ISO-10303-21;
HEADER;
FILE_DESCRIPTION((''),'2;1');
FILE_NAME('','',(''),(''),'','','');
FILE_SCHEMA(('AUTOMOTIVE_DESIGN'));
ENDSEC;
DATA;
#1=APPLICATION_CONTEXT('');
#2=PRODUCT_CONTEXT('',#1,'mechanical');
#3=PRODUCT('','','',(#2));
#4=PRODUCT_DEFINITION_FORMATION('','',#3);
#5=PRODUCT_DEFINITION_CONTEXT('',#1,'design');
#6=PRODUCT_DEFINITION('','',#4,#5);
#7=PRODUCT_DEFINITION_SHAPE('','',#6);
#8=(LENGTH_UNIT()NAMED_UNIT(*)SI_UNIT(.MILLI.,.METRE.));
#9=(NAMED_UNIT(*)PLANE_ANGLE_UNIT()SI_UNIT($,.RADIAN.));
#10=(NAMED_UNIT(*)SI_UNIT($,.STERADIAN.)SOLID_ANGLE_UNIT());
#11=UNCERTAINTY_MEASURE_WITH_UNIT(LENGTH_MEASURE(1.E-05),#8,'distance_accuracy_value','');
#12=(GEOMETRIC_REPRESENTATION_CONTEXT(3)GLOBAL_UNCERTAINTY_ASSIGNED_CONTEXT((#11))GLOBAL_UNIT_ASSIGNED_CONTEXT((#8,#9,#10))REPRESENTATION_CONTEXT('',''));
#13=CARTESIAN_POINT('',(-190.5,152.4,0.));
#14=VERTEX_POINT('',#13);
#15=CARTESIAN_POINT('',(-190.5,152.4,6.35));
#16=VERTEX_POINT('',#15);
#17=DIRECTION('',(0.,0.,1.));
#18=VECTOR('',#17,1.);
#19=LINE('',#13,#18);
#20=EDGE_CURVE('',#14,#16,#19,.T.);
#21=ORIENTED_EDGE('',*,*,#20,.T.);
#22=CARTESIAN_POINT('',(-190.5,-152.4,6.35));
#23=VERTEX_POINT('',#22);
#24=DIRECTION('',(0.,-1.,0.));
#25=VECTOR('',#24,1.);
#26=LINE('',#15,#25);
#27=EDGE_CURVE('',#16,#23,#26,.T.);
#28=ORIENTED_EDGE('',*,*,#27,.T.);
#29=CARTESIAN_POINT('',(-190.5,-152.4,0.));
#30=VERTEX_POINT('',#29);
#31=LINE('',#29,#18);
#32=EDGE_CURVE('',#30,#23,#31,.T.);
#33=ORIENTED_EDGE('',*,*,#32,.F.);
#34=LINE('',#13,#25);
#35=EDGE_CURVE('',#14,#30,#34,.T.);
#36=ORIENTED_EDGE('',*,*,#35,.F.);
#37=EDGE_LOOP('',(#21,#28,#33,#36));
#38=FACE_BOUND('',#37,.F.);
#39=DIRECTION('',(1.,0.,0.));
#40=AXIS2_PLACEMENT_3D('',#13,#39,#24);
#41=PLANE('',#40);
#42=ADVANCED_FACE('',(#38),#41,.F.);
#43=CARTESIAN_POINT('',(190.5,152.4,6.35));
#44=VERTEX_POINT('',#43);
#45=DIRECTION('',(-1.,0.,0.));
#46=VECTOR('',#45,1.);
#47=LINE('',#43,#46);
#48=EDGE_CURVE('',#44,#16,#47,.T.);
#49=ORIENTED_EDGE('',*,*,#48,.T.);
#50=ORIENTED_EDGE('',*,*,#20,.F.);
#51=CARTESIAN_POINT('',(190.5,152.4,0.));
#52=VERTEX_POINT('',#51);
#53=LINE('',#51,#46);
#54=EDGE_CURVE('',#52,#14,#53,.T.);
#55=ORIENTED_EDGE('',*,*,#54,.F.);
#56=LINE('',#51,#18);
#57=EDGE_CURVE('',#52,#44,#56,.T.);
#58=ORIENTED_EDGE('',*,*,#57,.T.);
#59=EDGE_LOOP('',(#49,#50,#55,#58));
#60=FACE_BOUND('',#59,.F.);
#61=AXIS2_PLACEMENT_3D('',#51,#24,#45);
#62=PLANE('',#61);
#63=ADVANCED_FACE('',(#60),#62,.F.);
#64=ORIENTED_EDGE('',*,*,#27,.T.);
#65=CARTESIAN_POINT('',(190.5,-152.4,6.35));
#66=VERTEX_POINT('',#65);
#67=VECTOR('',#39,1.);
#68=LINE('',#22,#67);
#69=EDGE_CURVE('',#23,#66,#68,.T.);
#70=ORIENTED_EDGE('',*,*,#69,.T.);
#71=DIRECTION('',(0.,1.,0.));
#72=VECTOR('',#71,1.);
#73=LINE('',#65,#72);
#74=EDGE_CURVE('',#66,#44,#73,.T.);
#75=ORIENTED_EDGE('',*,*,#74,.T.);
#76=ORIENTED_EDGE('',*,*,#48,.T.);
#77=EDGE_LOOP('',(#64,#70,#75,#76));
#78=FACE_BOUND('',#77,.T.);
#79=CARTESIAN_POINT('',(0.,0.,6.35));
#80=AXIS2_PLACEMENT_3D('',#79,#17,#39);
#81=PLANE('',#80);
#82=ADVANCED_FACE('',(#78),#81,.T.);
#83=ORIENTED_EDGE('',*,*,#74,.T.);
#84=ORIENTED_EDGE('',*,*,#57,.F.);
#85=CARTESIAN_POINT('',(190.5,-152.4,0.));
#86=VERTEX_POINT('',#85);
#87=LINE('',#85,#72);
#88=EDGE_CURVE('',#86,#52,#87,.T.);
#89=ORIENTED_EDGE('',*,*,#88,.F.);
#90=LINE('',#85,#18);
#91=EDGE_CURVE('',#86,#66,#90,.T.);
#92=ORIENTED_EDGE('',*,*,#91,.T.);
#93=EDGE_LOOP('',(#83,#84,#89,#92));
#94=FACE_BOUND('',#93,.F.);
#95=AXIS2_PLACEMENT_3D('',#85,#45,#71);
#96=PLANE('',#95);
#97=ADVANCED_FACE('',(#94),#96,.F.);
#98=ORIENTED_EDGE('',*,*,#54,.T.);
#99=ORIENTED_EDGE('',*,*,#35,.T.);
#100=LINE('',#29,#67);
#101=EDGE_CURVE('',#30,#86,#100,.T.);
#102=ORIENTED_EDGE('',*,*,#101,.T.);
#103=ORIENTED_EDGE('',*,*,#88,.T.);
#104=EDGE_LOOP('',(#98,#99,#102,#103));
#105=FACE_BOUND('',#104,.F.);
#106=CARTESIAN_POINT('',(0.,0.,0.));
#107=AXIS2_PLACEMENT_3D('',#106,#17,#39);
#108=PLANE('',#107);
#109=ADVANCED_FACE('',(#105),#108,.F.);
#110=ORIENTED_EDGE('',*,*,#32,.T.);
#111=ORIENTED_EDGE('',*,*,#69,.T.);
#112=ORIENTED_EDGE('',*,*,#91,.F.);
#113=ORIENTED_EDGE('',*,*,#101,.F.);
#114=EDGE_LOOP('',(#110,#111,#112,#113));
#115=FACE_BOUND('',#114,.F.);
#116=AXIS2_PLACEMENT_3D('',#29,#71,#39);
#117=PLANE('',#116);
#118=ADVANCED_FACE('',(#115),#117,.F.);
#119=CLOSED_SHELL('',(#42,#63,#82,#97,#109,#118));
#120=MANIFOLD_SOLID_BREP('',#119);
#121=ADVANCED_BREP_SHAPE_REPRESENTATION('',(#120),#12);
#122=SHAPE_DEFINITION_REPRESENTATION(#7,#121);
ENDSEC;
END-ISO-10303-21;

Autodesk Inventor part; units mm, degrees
ref_plane "YZ Plane" through (0, 0, 0) normal (1, 0, 0) x (0, 1, 0)
ref_plane "XZ Plane" through (0, 0, 0) normal (0, 1, 0) x (-1, 0, 0)
ref_plane "XY Plane" through (0, 0, 0) normal (0, 0, 1) x (1, 0, 0)
sketch "Sketch1" plane through (0, 0, 0) normal (0, 0, 1) x (1, 0, 0)
  line L0 (-190.5, -152.4) -> (190.5, -152.4)
  line L1 (190.5, -152.4) -> (190.5, 152.4)
  line L2 (190.5, 152.4) -> (-190.5, 152.4)
  line L3 (-190.5, 152.4) -> (-190.5, -152.4)
  line L4 (-190.5, -152.4) -> (190.5, 152.4) construction
  line L5 (190.5, -152.4) -> (-190.5, 152.4) construction
  point P0 (0, 0)
  dimension "d0" = 304.8
  dimension "d1" = 381
extrude "Extrusion1" add sketch "Sketch1" along normal blind 6.35
sketch "Sketch2" plane through (0, 0, 6.35) normal (0, 0, 1) x (1, 0, 0)
  line L0 (-182.5625, -76.2) -> (182.5625, -76.2)
  line L1 (182.5625, -76.2) -> (182.5625, 127)
  line L2 (182.5625, 127) -> (-182.5625, 127)
  line L3 (-182.5625, 127) -> (-182.5625, -76.2)
  line L4 (-190.5, -152.4) -> (190.5, -152.4) projected
  line L5 (190.5, -152.4) -> (190.5, 152.4) projected
  line L6 (190.5, 152.4) -> (-190.5, 152.4) projected
  line L7 (-190.5, 152.4) -> (-190.5, -152.4) projected
  point P0 (0, 0)
  point P1 (0, -76.2)
  point P2 (0, -152.4)
  dimension "d4" = 76.2
  dimension "d5" = 365.125
  dimension "d6" = 203.2
properties part number "glass-print-bed"
